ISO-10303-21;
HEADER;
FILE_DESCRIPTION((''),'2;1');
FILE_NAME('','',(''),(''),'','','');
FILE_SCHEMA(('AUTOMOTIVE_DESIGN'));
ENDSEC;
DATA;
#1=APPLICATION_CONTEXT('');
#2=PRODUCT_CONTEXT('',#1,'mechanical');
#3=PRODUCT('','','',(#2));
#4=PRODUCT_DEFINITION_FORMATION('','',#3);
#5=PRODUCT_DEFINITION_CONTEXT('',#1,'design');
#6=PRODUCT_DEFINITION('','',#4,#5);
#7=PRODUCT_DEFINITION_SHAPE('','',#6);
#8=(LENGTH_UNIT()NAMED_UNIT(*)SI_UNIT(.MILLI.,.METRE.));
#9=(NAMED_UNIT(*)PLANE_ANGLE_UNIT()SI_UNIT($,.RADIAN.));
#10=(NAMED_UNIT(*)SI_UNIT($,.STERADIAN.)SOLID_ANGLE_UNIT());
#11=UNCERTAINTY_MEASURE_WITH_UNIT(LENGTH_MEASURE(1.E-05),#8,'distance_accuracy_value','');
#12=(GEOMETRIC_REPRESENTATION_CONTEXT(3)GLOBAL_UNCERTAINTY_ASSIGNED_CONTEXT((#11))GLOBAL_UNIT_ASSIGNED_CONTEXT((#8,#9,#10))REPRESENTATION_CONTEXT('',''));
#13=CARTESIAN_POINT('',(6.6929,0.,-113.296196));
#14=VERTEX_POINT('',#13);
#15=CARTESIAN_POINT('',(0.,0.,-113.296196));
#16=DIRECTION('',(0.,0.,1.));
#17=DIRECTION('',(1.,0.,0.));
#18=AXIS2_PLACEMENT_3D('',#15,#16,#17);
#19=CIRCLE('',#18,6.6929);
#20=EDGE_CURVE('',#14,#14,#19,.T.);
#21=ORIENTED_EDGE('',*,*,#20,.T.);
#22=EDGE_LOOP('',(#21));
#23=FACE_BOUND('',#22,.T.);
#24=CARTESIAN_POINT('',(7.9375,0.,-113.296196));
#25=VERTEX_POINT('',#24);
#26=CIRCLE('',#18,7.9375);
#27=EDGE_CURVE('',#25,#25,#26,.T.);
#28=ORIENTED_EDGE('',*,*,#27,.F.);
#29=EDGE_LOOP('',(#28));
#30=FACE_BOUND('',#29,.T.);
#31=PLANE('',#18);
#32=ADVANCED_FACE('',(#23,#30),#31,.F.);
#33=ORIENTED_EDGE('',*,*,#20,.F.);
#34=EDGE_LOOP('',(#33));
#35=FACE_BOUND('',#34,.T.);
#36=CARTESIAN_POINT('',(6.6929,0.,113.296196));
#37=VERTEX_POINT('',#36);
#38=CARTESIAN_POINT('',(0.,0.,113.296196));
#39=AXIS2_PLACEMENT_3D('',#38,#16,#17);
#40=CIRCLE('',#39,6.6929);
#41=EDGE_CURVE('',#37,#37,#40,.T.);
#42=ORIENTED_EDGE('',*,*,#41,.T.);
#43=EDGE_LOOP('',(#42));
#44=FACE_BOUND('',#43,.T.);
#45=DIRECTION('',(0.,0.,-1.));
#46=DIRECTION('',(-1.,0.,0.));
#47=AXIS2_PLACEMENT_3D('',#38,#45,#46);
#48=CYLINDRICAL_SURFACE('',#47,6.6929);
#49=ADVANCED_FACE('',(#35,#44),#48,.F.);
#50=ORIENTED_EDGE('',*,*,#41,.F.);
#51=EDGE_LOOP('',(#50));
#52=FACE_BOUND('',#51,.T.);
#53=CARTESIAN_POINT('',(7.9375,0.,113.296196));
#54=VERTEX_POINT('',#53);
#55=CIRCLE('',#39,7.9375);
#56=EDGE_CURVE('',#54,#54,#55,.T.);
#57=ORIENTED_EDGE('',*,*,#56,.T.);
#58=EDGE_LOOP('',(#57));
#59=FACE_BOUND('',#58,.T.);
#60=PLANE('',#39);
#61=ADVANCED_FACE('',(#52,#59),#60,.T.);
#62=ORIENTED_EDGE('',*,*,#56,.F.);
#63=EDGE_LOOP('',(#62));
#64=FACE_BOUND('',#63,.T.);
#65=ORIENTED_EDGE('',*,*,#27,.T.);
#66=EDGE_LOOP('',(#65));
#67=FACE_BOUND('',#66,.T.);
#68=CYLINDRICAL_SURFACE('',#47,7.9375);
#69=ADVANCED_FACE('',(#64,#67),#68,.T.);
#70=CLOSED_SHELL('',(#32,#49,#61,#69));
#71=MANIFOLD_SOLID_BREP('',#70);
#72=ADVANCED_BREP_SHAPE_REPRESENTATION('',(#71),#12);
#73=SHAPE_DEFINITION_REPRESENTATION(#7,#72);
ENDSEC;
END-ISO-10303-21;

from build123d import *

# Parameters (mm, degrees)
SKETCH3_R           = 7.9375
SKETCH3_R_2         = 6.6929
BOSS_EXTRUDE1_DEPTH = 113.296195937


with BuildPart() as part:
    # Sketch3 → Boss-Extrude1 (new, symmetric)
    with BuildSketch(Plane.XY):
        Circle(SKETCH3_R)
        Circle(SKETCH3_R_2, mode=Mode.SUBTRACT)
    extrude(amount=BOSS_EXTRUDE1_DEPTH, both=True)


solid = part.part
